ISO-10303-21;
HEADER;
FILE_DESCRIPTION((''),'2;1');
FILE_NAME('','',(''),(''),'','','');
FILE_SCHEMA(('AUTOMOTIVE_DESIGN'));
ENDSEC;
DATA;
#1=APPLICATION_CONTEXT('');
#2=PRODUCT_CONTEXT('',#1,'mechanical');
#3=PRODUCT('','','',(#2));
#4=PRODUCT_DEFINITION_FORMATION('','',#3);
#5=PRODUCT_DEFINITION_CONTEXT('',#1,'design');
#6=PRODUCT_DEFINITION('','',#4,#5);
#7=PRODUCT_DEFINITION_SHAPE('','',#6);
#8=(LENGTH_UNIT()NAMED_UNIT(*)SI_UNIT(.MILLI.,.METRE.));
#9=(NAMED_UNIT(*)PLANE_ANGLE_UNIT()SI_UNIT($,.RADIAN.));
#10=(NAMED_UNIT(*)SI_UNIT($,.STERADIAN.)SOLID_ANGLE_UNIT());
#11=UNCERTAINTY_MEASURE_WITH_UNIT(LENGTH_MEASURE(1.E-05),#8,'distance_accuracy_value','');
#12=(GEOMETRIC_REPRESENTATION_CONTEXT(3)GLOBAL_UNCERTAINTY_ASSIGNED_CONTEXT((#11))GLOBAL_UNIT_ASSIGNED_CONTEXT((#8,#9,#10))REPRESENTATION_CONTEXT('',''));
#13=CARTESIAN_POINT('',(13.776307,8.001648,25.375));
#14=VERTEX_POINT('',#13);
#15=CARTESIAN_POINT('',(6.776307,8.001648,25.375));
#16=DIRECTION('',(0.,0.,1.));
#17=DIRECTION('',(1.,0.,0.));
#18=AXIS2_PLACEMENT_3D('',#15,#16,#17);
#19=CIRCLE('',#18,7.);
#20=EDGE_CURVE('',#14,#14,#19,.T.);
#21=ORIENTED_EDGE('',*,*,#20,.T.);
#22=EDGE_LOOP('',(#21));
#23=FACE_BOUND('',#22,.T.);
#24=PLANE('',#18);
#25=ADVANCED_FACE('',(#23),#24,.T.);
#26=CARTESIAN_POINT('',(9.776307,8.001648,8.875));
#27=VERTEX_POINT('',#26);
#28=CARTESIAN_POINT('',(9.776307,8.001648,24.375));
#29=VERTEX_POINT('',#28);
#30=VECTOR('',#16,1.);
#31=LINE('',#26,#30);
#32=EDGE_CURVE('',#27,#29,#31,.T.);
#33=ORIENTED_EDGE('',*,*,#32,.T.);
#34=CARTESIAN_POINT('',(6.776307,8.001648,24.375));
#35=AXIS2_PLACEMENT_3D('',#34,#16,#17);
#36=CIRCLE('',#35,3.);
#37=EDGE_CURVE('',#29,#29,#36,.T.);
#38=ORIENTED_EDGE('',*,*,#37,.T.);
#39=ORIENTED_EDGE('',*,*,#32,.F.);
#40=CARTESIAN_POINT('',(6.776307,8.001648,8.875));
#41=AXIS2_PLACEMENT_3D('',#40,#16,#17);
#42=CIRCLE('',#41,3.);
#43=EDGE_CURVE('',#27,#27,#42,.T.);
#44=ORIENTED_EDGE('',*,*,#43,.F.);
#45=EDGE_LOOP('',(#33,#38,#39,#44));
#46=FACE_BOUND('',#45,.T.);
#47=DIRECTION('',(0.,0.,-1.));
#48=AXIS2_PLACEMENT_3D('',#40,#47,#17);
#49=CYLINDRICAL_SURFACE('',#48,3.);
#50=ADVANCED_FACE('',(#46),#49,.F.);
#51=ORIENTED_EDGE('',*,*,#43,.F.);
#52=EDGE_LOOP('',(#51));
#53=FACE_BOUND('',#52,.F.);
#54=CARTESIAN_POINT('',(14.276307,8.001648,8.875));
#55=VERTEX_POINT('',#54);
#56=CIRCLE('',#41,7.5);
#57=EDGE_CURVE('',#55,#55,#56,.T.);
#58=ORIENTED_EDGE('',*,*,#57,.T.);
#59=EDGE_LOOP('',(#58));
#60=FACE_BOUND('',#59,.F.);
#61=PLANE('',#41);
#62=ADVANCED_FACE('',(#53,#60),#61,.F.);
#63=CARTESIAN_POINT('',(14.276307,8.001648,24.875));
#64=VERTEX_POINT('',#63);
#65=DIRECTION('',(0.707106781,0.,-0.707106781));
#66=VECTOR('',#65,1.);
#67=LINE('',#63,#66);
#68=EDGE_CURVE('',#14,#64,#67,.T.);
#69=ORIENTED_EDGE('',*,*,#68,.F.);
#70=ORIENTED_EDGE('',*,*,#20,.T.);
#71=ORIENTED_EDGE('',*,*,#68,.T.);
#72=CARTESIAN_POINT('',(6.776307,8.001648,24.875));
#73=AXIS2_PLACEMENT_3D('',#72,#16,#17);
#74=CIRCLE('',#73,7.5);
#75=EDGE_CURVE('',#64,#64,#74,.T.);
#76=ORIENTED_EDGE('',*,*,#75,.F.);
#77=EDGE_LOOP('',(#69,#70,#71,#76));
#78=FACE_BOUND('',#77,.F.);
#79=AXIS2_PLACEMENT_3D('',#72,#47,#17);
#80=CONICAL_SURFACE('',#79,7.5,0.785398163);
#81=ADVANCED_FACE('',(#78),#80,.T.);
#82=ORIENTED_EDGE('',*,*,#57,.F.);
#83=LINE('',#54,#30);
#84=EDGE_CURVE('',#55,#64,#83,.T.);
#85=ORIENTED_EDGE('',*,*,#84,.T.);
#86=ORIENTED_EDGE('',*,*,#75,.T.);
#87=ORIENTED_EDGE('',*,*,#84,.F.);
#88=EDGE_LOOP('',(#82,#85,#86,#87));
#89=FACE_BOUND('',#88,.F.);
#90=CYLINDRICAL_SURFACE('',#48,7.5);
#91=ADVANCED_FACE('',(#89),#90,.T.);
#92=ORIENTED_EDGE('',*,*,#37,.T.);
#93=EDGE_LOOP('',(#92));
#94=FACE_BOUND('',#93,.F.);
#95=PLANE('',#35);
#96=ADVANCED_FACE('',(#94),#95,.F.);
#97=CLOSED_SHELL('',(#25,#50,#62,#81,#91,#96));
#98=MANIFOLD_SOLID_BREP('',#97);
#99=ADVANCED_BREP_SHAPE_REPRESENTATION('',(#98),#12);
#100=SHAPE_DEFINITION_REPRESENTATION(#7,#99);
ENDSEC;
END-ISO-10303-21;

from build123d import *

# Parameters (mm, degrees)
EXTRUDE_START            = 8.875
SKETCH1_R                = 7.5
SKETCH1_R_2              = 3
EXTRUDE_KNOB_DEPTH       = 16.5
EXTRUDE_START_2          = 25.375
SKETCH1_3_R              = 3
EXTRUDE_KNOB_INNER_DEPTH = 1
CHAMFER_KNOB_SIZE        = 0.5


with BuildPart() as part:
    # Sketch1 → extrude knob (new body)
    with BuildSketch(Plane.XY.offset(EXTRUDE_START)):
        with Locations((6.776307172, 8.001648034)):
            Circle(SKETCH1_R)
        with Locations((6.776307172, 8.001648034)):
            Circle(SKETCH1_R_2, mode=Mode.SUBTRACT)
    extrude(amount=EXTRUDE_KNOB_DEPTH)

    # Sketch1<3> → extrude knob inner (add)
    with BuildSketch(Plane.XY.offset(EXTRUDE_START_2)):
        with Locations((6.776307172, 8.001648034)):
            Circle(SKETCH1_3_R)
    extrude(amount=-EXTRUDE_KNOB_INNER_DEPTH)

    # chamfer knob
    chamfer_knob_edges = [part.edges().sort_by_distance(p)[0] for p in [
        (-0.723692828, 8.001648034, 25.375),
    ]]
    chamfer(chamfer_knob_edges, length=CHAMFER_KNOB_SIZE)


solid = part.part
